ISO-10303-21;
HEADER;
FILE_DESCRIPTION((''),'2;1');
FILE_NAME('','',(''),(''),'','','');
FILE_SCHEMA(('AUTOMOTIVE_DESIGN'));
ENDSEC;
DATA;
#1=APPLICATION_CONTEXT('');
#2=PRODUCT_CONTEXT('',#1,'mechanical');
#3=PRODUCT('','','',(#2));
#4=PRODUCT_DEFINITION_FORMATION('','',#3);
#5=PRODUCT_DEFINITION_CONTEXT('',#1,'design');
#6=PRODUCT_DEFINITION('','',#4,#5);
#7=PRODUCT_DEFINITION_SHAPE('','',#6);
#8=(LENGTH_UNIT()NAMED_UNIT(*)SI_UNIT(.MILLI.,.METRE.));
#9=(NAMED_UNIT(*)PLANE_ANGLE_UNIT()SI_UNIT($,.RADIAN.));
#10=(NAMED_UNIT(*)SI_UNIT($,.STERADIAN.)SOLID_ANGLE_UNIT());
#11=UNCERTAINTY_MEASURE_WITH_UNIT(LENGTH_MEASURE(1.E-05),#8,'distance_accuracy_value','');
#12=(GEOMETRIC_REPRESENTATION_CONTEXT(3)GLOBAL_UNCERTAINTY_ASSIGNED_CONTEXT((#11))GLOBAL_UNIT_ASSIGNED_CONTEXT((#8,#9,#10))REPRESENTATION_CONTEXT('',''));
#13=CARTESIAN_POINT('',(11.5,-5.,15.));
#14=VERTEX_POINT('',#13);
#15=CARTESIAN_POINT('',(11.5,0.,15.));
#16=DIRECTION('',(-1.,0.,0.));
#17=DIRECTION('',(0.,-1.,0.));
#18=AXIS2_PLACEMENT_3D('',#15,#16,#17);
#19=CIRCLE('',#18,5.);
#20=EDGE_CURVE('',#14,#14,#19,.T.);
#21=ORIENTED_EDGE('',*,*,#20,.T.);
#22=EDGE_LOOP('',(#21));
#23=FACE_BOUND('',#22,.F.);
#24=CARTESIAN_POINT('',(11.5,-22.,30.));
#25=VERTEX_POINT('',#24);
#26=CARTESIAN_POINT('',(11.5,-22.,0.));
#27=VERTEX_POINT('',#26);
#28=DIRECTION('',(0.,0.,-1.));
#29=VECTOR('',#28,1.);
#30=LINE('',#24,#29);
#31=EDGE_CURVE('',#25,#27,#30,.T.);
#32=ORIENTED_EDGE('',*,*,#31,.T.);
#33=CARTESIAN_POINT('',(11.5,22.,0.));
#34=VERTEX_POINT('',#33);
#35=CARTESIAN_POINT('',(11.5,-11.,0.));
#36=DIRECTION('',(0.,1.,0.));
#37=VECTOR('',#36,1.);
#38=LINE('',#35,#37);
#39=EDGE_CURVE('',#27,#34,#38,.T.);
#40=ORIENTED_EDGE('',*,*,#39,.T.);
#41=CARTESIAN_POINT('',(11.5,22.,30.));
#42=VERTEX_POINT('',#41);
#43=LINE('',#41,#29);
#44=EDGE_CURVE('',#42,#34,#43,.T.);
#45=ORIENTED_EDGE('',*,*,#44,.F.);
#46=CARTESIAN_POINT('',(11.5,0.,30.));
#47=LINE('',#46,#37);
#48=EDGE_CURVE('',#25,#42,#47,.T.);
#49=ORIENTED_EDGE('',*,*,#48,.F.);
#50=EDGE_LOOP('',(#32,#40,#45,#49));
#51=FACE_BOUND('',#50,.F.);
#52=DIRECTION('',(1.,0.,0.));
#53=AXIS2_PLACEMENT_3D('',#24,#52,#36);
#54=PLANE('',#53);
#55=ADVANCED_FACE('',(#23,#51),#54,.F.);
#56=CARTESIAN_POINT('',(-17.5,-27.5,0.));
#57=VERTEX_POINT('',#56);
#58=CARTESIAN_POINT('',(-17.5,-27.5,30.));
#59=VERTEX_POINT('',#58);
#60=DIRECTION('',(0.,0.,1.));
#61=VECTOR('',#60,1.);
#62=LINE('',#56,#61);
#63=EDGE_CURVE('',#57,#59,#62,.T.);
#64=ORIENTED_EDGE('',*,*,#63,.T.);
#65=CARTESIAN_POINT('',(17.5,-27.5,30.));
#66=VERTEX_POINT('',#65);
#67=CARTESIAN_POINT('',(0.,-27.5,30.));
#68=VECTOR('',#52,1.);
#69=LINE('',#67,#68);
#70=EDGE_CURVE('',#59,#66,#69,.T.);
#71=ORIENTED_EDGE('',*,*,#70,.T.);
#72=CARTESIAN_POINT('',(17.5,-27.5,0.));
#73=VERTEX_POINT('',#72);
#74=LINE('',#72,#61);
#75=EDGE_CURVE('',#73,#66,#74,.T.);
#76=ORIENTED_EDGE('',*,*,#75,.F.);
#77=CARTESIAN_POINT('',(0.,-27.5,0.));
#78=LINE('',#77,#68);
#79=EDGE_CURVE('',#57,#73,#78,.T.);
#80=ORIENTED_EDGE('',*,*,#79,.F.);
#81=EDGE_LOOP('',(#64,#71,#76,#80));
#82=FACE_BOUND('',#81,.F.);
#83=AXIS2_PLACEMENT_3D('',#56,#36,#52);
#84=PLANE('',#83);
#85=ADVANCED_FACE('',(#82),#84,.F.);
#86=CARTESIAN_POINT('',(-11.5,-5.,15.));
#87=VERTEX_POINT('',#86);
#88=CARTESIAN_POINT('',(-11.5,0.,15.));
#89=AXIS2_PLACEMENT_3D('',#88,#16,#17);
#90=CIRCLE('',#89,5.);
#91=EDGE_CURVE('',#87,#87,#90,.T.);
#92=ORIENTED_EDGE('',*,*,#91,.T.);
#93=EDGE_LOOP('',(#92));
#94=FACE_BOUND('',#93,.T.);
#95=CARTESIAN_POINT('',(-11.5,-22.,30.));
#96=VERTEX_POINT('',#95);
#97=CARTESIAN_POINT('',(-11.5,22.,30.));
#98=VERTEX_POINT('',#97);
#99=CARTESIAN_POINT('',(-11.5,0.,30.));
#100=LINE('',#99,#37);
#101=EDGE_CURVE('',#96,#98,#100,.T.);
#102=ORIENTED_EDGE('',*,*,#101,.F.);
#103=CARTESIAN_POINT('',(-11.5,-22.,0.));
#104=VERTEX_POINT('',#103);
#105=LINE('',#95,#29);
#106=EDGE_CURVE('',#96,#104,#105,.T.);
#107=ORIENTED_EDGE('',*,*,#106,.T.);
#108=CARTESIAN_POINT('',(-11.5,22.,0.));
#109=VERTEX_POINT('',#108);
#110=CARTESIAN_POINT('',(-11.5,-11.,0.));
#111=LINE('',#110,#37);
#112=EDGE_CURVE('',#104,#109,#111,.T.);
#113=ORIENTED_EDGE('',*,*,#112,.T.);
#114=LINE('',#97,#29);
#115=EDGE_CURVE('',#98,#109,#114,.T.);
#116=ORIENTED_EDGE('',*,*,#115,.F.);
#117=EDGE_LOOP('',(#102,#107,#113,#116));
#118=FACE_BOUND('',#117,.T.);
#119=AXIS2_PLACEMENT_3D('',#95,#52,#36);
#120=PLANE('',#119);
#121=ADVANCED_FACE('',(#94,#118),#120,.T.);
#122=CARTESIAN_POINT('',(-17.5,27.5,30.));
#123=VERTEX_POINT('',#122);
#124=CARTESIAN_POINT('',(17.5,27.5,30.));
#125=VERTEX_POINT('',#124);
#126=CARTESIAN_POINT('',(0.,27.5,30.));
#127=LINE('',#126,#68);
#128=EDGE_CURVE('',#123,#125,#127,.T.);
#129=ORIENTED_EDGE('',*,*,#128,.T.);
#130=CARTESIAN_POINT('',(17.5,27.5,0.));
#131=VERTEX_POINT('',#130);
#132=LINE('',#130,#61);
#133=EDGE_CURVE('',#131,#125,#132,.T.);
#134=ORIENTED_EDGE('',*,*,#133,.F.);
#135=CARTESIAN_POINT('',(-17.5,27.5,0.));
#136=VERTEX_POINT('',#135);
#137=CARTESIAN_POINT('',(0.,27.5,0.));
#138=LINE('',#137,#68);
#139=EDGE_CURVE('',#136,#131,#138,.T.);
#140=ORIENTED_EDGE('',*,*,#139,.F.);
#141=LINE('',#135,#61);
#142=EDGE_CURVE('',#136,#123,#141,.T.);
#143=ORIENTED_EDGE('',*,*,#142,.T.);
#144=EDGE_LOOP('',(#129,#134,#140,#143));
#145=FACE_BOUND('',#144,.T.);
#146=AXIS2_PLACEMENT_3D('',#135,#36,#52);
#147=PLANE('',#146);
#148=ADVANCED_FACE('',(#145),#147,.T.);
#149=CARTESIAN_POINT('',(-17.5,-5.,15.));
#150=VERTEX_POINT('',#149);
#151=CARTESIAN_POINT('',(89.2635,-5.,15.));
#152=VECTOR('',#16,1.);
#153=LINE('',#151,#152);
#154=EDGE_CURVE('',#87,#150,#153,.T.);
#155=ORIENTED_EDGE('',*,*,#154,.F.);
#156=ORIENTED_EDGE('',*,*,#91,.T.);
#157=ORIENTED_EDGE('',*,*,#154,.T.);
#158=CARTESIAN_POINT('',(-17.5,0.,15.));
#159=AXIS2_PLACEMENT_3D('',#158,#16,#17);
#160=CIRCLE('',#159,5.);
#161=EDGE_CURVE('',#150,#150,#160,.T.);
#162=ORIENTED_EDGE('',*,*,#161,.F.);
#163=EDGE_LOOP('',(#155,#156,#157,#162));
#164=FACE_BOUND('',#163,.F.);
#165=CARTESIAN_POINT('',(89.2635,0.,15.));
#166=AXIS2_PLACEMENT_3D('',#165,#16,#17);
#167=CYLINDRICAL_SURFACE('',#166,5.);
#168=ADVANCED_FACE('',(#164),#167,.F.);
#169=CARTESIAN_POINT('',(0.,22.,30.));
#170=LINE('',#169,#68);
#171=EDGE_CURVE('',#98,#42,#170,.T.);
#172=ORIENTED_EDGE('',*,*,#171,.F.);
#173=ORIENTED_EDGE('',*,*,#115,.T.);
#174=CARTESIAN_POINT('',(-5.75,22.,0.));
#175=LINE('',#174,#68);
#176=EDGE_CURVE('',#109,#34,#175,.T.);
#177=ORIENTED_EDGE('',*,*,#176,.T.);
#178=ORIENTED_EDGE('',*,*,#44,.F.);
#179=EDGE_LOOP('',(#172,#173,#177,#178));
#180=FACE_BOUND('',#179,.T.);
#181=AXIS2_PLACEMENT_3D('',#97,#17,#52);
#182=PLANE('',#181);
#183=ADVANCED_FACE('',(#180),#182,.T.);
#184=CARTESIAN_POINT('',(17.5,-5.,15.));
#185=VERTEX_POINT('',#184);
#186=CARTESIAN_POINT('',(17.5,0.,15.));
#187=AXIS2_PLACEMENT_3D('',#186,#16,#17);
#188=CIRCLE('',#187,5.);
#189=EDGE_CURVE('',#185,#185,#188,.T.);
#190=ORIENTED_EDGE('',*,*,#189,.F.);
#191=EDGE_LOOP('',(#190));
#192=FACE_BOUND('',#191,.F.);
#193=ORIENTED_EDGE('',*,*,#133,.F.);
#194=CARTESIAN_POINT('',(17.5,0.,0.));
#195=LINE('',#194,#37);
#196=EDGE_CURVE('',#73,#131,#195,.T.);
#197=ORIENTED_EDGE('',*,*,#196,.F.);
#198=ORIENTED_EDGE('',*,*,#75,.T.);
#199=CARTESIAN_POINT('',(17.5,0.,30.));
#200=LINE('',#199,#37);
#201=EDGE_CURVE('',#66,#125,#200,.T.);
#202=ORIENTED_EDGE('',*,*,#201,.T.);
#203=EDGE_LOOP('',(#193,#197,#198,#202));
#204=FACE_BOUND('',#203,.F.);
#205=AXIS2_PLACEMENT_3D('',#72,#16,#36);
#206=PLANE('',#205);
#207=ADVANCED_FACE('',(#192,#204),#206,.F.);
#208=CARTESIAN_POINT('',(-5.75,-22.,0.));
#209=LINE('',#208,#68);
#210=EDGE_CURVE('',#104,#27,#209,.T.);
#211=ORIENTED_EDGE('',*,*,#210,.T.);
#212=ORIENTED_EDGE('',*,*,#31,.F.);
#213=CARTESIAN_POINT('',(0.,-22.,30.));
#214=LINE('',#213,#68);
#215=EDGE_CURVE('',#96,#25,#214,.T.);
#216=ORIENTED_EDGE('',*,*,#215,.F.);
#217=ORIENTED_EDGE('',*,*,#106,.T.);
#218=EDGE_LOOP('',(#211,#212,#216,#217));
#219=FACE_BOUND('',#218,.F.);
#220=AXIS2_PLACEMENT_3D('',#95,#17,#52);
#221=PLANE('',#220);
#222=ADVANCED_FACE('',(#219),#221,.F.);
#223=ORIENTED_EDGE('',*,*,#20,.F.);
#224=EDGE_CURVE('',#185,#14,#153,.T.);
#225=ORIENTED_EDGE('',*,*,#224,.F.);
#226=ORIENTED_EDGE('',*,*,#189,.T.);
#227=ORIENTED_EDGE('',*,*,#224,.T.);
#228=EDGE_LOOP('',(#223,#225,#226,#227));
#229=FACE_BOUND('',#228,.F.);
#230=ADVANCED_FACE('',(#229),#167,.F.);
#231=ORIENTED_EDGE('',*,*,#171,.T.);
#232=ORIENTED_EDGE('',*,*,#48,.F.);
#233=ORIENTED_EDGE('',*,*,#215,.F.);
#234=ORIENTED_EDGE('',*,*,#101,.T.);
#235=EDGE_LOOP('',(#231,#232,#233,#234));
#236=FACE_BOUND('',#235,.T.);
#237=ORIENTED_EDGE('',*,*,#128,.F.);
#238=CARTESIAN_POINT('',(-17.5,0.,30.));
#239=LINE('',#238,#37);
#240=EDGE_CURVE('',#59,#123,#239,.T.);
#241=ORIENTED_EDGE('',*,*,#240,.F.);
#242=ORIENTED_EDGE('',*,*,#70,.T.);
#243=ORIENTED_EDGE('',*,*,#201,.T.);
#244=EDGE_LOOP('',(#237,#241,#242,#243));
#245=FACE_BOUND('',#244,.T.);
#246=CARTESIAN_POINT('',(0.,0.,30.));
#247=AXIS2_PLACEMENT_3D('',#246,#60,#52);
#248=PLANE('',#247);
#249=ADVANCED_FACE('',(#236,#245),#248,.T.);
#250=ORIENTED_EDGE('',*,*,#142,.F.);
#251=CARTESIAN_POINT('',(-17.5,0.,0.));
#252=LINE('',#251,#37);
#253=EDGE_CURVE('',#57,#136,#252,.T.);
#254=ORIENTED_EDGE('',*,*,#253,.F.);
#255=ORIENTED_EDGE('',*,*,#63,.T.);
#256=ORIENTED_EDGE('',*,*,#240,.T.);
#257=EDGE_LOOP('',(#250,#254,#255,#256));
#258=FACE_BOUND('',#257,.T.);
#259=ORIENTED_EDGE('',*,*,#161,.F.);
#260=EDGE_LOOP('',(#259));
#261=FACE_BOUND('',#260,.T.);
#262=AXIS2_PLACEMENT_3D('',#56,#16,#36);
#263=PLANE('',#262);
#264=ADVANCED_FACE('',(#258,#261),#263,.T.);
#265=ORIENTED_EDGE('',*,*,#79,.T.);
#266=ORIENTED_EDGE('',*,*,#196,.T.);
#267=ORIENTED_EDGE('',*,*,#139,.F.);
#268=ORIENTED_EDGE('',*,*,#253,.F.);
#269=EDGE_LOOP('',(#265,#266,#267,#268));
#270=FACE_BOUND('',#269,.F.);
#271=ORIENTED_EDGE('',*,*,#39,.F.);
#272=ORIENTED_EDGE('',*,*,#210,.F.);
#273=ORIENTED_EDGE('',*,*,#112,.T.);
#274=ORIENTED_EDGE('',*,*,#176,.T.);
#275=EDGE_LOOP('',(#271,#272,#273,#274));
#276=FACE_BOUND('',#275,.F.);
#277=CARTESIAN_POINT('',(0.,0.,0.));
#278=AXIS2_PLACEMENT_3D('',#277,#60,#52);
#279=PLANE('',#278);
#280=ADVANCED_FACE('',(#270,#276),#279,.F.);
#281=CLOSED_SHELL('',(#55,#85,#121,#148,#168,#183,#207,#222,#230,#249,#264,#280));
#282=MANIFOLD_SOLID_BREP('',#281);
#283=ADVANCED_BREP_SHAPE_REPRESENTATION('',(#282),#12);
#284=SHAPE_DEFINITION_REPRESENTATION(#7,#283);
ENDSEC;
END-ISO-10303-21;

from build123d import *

# Parameters (mm, degrees)
F0_W     = 35
F0_H     = 55
F1_DEPTH = 30
F3_W     = 23
F3_H     = 44
F4_DEPTH = 40
F6_D     = 10


with BuildPart() as f1:
    # F0 (on Top) → F1 (new body)
    with BuildSketch(Plane.XY):
        Rectangle(F0_W, F0_H)
    extrude(amount=F1_DEPTH)

    # F3 (on face) → F4 (cut)
    with BuildSketch(Plane.XY.offset(30)):
        Rectangle(F3_W, F3_H)
    extrude(amount=-F4_DEPTH, mode=Mode.SUBTRACT)

    # F6 (through all)
    with Locations(Plane.YZ.offset(17.5)):
        with Locations((0, 15)):
            Hole(F6_D / 2)


solid = f1.part
